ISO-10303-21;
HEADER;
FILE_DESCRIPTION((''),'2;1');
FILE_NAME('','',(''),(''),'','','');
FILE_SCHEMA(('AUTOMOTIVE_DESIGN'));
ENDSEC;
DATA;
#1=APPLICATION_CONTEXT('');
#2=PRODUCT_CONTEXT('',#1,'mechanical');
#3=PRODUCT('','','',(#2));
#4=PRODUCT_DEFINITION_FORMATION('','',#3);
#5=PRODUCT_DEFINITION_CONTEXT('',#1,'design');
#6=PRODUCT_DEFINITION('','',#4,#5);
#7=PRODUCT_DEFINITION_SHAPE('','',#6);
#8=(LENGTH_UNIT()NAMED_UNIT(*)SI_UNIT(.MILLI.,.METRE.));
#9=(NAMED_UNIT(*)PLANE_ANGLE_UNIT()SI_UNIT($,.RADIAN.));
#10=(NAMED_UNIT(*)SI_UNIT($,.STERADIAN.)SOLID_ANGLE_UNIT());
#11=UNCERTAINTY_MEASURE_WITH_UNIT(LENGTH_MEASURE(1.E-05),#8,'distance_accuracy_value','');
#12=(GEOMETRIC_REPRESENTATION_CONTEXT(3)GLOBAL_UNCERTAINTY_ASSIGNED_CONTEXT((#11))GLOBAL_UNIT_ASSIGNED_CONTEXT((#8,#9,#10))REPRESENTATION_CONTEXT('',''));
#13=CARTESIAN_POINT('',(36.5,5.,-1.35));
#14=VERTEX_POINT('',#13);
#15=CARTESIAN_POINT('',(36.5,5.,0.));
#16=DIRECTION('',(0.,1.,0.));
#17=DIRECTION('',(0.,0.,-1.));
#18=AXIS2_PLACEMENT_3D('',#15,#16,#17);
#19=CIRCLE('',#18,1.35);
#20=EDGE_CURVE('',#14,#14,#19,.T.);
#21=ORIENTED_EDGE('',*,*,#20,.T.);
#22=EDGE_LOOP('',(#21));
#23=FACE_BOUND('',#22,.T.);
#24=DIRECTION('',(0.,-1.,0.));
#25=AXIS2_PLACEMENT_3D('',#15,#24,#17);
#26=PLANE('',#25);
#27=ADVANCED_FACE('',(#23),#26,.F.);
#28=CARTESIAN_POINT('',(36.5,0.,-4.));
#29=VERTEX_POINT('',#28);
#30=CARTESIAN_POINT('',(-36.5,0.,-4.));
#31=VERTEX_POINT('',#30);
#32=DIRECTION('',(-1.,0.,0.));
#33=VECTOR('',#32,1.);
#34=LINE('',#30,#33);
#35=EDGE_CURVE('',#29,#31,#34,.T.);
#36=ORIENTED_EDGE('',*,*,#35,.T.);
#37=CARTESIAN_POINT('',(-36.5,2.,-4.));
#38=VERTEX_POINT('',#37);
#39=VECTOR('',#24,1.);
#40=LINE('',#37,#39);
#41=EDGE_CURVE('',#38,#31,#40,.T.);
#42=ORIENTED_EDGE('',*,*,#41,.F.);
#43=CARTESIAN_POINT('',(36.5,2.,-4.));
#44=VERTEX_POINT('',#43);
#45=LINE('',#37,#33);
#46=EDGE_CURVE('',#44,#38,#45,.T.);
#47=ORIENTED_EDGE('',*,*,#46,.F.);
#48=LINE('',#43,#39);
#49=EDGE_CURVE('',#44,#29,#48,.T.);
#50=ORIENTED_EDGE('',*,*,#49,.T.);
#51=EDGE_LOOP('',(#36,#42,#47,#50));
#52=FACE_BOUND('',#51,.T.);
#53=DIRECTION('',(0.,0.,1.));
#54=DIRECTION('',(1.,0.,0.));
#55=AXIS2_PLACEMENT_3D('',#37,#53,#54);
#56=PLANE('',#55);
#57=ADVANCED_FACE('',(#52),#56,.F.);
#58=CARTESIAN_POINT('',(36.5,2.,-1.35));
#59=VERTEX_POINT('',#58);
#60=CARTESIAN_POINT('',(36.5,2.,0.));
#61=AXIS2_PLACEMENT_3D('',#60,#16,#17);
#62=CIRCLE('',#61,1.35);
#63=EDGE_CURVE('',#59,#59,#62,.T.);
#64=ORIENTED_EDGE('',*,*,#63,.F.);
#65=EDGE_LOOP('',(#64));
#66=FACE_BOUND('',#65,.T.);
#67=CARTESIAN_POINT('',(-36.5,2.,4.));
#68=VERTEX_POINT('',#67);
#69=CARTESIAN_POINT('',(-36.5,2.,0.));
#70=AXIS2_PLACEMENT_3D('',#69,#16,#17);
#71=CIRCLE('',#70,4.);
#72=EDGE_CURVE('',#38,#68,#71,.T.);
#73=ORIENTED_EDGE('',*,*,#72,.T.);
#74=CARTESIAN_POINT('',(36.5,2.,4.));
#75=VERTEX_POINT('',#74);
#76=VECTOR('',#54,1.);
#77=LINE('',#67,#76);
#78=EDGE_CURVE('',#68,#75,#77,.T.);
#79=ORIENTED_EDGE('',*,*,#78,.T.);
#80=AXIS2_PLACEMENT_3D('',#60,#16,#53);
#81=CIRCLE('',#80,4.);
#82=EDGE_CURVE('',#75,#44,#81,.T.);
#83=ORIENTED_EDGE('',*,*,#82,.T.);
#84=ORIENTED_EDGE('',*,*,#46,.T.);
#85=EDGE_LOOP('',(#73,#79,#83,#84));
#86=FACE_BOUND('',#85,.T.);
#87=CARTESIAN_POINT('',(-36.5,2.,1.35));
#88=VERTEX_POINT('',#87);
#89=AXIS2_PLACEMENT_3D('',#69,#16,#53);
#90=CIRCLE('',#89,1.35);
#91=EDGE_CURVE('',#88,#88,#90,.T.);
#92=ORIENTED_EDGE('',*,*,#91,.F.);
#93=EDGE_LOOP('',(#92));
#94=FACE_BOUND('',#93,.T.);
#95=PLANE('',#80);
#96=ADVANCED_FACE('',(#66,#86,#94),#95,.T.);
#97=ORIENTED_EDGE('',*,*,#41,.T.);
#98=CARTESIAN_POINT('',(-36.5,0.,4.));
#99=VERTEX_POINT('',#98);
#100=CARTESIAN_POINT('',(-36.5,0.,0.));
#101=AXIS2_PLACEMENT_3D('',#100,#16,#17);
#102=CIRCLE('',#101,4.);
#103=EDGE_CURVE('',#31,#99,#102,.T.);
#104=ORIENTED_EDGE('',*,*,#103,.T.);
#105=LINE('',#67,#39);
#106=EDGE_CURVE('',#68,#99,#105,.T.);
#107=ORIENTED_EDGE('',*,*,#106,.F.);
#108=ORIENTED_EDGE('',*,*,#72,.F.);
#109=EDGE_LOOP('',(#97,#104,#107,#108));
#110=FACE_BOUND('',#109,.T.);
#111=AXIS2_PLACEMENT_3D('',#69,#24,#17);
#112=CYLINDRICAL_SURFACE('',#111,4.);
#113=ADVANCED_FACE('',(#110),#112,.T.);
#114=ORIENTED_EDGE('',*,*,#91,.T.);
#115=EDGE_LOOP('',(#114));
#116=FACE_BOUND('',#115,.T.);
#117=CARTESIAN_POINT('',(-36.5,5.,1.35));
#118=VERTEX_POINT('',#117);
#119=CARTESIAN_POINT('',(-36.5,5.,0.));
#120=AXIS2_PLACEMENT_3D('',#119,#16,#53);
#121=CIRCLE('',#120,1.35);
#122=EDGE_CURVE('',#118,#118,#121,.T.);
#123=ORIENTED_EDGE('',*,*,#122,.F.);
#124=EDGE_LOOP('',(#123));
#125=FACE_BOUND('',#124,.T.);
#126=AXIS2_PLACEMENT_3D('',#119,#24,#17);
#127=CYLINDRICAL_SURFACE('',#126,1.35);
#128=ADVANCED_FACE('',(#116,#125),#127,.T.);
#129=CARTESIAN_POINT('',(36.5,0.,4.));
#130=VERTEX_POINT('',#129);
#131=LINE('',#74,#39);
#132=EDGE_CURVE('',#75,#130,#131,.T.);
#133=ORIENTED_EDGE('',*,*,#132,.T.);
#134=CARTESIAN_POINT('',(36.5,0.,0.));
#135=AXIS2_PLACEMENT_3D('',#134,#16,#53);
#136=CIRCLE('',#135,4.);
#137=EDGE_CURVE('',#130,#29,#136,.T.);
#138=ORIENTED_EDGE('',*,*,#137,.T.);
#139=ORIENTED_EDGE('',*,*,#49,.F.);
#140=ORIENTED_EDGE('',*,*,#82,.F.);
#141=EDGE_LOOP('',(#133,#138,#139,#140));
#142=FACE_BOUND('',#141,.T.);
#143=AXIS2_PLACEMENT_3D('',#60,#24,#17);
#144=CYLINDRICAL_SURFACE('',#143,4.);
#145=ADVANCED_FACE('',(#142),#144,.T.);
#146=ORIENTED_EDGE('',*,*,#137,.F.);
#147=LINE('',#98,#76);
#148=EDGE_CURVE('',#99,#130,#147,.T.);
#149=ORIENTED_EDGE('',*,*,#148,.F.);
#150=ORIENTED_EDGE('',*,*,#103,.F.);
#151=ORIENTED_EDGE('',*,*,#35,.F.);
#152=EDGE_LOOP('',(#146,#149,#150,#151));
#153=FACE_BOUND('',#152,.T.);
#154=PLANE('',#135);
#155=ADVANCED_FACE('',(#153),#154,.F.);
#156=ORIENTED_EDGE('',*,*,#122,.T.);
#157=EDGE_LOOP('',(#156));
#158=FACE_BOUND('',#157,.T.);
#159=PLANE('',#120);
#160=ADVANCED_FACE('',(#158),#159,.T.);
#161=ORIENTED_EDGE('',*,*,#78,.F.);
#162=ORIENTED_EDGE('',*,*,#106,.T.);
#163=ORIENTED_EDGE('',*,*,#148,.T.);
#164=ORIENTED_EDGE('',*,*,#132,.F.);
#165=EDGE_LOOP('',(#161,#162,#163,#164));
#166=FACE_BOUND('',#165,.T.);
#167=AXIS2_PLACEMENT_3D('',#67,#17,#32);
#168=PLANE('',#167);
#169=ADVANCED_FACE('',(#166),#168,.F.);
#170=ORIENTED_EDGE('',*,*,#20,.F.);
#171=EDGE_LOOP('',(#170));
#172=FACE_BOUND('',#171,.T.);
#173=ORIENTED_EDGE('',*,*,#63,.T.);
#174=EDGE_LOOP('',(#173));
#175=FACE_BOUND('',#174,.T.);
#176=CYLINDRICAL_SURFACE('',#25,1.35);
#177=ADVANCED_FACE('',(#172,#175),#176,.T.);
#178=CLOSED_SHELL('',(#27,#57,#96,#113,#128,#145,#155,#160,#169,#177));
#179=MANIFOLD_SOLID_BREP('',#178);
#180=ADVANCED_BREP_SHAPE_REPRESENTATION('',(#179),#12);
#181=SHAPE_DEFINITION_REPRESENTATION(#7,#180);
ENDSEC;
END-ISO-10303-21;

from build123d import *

# Parameters (mm, degrees)
BOSS_EXTRUDE1_DEPTH = 2
SKETCH3_R           = 1.35
BOSS_EXTRUDE2_DEPTH = 3


with BuildPart() as part:
    # Sketch2 → Boss-Extrude1 (new body)
    with BuildSketch(Plane(origin=(0, 0, 0), x_dir=(1, 0, 0), z_dir=(0, 1, 0))):
        with BuildLine():
            Line((-36.5, -4), (36.5, -4))
            ThreePointArc((36.5, -4), (40.5, 0), (36.5, 4))
            Line((36.5, 4), (-36.5, 4))
            ThreePointArc((-36.5, 4), (-40.5, 0), (-36.5, -4))
        make_face()
    extrude(amount=BOSS_EXTRUDE1_DEPTH)

    # Sketch3 → Boss-Extrude2 (add)
    with BuildSketch(Plane(origin=(0, 2, 0), x_dir=(1, 0, 0), z_dir=(0, 1, 0))):
        with Locations(Location((-36.5, 0, 0), (0, 0, 270))):
            Circle(SKETCH3_R)
        with Locations(Location((36.5, 0, 0), (0, 0, 90))):
            Circle(SKETCH3_R)
    extrude(amount=BOSS_EXTRUDE2_DEPTH)


solid = part.part
